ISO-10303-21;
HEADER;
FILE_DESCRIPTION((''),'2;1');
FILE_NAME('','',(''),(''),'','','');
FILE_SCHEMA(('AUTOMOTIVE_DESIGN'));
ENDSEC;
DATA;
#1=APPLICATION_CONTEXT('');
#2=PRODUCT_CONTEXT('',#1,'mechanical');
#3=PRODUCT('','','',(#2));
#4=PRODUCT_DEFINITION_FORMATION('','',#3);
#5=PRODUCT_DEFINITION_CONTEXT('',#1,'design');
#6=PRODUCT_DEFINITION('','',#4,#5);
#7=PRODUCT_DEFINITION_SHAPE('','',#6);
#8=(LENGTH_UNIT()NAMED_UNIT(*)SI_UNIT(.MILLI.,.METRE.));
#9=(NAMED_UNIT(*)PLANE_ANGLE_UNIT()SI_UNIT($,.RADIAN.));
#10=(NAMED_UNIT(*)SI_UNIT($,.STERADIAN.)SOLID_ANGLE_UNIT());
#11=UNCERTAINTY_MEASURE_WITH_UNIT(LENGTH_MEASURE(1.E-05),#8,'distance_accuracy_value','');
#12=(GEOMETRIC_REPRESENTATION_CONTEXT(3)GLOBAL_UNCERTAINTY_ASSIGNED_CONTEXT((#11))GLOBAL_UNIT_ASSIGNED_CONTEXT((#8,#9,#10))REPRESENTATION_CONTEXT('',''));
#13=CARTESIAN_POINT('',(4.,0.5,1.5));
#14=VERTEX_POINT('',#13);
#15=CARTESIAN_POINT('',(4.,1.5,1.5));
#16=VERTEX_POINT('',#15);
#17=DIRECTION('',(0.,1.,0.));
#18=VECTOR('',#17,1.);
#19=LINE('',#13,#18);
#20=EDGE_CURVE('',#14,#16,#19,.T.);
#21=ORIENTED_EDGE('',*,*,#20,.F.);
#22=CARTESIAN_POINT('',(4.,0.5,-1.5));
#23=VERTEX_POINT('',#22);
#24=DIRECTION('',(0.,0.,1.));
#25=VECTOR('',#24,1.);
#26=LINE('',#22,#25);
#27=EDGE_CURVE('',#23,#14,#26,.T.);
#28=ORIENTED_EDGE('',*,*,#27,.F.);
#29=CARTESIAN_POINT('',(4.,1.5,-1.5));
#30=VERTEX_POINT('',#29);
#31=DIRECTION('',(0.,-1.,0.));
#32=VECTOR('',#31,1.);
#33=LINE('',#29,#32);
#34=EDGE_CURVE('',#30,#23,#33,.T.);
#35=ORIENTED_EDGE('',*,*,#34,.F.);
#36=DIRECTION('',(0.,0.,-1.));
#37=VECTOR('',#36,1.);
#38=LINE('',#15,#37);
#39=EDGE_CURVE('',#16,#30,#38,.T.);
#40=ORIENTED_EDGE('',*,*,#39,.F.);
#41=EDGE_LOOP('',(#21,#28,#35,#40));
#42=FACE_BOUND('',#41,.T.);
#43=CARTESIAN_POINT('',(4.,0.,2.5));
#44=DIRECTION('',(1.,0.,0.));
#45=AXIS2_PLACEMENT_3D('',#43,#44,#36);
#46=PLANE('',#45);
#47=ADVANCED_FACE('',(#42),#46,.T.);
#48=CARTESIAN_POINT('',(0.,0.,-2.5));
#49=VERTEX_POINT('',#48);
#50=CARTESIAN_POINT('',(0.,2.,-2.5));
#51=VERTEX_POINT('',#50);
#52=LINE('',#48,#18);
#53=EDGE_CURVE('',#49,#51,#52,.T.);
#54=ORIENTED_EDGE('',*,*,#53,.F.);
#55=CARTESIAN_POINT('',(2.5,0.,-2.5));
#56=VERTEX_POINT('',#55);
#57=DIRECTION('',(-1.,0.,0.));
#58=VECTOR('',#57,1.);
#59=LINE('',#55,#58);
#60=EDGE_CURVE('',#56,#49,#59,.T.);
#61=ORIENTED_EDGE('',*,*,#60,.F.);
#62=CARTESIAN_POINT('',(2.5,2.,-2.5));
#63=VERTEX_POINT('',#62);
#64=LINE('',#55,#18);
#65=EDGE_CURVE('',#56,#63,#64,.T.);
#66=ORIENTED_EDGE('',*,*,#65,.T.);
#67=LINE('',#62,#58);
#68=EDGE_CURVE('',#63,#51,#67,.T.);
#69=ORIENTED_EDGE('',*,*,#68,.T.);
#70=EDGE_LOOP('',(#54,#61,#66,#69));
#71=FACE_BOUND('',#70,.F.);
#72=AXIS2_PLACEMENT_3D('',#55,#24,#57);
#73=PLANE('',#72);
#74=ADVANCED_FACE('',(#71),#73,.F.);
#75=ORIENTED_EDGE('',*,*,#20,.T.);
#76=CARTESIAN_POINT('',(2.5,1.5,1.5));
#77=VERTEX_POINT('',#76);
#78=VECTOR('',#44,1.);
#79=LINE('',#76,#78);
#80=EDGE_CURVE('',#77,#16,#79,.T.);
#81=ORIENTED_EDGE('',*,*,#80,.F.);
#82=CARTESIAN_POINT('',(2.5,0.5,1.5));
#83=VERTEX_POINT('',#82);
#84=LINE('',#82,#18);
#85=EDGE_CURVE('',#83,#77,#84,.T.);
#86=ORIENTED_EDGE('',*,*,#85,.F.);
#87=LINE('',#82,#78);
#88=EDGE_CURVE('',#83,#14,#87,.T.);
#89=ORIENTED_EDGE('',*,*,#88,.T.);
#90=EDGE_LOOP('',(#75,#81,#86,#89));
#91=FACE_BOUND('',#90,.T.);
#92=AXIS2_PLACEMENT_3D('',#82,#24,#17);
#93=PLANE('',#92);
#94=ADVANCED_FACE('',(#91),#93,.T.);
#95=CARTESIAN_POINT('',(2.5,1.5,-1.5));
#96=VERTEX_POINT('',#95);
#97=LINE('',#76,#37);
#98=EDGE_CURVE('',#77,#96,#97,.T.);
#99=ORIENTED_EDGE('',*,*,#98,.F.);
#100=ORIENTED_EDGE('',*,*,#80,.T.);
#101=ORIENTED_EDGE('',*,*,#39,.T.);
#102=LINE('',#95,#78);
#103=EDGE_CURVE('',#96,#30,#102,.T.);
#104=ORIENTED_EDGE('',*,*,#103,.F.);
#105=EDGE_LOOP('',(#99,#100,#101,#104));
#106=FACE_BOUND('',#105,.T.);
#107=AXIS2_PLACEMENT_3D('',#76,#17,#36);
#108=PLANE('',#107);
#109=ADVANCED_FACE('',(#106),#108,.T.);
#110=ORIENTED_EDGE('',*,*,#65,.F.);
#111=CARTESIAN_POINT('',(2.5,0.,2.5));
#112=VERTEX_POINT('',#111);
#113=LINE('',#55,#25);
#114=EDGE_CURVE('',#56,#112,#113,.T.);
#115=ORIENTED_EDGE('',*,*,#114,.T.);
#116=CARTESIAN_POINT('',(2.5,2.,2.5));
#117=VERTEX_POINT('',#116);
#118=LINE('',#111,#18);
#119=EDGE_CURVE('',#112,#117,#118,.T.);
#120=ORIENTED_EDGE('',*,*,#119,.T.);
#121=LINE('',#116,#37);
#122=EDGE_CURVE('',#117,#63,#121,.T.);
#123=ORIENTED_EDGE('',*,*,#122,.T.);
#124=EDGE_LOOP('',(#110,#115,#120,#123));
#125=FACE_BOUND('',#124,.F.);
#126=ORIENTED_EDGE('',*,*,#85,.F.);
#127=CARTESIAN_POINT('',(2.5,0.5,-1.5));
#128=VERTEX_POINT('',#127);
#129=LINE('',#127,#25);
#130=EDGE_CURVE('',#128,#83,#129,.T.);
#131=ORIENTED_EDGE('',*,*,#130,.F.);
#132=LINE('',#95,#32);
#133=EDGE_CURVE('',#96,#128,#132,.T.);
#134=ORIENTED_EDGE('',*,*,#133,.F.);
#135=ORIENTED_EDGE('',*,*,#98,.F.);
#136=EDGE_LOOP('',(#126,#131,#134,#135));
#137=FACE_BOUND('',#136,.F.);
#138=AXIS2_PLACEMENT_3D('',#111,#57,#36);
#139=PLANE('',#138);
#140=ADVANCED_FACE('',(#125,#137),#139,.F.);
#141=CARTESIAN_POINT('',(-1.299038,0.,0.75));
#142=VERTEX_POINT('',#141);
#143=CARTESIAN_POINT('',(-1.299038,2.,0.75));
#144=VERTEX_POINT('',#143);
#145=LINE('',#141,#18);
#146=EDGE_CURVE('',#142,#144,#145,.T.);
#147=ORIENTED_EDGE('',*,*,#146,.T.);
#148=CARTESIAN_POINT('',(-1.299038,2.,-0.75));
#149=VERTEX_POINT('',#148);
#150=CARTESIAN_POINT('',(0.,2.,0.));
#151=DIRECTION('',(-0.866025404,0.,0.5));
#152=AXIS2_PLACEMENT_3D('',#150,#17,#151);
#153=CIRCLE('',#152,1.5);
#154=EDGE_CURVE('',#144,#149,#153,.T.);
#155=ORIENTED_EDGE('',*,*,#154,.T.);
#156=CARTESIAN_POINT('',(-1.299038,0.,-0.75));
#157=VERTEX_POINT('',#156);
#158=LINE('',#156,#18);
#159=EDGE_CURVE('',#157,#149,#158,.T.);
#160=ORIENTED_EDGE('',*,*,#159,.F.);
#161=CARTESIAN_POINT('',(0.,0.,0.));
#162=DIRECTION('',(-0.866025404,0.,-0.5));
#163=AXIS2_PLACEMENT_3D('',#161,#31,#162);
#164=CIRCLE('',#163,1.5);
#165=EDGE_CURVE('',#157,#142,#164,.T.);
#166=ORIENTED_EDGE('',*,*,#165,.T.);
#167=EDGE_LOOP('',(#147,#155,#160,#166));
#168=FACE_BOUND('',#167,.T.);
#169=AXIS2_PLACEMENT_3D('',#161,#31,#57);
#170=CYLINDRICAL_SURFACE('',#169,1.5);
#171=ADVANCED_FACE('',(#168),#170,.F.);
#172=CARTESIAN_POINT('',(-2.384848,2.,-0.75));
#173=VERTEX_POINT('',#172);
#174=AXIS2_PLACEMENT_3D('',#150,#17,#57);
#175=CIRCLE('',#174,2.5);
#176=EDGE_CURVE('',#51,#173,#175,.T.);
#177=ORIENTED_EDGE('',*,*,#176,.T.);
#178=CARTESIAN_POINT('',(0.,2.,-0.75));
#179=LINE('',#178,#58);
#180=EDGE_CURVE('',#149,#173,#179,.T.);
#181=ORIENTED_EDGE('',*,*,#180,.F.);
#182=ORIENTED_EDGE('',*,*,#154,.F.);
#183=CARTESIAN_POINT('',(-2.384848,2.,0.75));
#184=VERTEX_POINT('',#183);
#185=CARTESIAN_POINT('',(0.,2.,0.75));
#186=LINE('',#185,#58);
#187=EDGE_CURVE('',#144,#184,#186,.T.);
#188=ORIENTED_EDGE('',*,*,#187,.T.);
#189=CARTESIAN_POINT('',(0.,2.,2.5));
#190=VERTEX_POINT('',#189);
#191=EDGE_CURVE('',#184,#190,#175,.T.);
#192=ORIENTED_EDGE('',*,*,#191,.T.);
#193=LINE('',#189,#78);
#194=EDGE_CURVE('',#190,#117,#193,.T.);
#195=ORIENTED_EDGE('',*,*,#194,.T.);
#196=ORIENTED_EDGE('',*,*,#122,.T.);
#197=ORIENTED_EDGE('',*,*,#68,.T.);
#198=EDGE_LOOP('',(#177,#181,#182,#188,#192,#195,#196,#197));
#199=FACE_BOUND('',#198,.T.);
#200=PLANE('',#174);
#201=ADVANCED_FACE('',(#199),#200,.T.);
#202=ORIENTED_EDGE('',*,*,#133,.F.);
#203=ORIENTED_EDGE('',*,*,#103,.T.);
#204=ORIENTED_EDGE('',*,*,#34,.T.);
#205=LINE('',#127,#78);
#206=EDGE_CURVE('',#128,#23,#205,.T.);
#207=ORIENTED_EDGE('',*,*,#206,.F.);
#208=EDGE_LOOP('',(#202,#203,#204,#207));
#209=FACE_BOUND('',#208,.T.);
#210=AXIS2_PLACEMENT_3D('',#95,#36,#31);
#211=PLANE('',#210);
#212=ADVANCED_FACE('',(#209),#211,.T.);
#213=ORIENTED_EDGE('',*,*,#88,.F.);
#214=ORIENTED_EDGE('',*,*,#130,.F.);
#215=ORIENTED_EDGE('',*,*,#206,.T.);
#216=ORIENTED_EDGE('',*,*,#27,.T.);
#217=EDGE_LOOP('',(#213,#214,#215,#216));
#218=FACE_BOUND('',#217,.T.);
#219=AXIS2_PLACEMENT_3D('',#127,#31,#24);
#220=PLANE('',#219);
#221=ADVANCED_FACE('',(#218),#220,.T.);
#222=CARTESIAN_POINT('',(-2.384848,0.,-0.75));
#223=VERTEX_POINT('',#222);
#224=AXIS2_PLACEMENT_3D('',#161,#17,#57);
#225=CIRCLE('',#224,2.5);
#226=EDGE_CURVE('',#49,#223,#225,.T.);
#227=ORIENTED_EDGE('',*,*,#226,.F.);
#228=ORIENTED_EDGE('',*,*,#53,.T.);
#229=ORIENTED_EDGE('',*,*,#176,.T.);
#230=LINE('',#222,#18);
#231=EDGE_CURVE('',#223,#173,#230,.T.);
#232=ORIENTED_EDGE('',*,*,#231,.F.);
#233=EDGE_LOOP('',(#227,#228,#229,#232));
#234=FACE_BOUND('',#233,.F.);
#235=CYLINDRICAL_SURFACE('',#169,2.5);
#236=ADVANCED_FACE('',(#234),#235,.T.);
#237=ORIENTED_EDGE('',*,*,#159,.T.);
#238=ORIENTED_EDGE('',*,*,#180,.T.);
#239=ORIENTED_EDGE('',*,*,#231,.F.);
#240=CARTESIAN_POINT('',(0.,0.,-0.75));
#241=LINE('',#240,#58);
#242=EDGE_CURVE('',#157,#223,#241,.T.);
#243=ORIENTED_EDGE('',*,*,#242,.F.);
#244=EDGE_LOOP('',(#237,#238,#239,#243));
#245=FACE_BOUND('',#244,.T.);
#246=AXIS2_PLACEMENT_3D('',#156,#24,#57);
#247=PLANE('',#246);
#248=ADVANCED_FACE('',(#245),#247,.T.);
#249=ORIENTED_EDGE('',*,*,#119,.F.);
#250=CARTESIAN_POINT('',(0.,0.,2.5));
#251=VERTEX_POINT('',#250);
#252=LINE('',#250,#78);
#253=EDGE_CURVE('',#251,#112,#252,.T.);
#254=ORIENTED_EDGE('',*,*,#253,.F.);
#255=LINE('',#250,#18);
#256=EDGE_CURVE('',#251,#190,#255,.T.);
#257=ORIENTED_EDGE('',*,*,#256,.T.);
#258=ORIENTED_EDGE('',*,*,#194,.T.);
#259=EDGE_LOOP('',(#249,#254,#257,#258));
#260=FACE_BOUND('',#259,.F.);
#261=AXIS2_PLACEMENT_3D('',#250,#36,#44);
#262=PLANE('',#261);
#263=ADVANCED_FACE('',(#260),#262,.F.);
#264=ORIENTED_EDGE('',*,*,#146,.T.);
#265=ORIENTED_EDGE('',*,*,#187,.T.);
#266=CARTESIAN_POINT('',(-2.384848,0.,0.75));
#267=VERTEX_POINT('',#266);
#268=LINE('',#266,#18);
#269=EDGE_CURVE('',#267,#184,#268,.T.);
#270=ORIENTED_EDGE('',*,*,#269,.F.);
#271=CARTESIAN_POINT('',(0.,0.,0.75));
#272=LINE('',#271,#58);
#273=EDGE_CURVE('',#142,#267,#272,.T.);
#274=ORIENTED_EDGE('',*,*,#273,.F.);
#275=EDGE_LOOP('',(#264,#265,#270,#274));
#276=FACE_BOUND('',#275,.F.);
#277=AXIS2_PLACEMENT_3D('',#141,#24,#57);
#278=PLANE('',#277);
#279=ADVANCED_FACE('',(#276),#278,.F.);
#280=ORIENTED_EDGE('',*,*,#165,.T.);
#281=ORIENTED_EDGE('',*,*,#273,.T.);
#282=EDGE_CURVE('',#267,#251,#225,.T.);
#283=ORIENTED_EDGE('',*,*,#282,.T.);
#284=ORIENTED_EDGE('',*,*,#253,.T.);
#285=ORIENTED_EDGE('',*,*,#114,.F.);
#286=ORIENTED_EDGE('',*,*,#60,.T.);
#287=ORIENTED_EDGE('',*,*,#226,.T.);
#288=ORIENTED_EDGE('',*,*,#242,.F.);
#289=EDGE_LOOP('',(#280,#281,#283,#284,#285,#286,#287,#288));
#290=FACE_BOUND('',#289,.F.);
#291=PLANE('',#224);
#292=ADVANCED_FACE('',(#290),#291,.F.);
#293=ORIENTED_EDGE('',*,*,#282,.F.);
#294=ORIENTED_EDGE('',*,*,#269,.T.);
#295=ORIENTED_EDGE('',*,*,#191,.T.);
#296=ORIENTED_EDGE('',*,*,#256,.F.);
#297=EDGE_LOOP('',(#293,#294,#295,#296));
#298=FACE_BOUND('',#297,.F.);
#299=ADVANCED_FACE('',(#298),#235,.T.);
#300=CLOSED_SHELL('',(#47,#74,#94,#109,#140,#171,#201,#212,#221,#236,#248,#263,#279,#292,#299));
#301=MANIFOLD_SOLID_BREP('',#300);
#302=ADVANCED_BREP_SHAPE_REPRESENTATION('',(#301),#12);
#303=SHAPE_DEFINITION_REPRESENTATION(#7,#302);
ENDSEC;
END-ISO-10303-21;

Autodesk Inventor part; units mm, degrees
ref_plane "YZ Plane" through (0, 0, 0) normal (1, 0, 0) x (0, 1, 0)
ref_plane "XZ Plane" through (0, 0, 0) normal (0, 1, 0) x (-1, 0, 0)
ref_plane "XY Plane" through (0, 0, 0) normal (0, 0, 1) x (1, 0, 0)
sketch "Sketch1" plane through (0, 0, 0) normal (0, 1, 0) x (-1, 0, 0)
  circle A0 centre (0, 0) radius 1.5
  circle A1 centre (0, 0) radius 2.5
  line L0 (0, 0) -> (2.5, 0)
  line L1 (0, 0.75) -> (2.5, 0.75)
  line L2 (0, -0.75) -> (2.5, -0.75)
  line L3 (0, 2.5) -> (-2.5, 2.5)
  line L4 (-2.5, 2.5) -> (-2.5, -2.5)
  line L5 (-2.5, -2.5) -> (0, -2.5)
  line L6 (0, -2.5) -> (0, 2.5)
  point P0 (1.299, 0.75)
  point P1 (2.3848, 0.75)
  point P2 (2.3848, -0.75)
  point P3 (1.299, -0.75)
  dimension "d0" = 3
  dimension "d1" = 5
  dimension "d2" = 0.75
  dimension "d3" = 0.75
extrude "Extrusion1" add sketch "Sketch1" along normal blind 2 contours A0 L6 A1 L1 | L2 A1 L6 A0 | A0 L6 A1 | A1 L4 L3 | L5 L4 A1
sketch "Sketch2" plane through (2.5, 0, 2.5) normal (1, 0, 0) x (0, 0, -1)
  line L0 (1, 1.5) -> (4, 1.5)
  line L1 (4, 1.5) -> (4, 0.5)
  line L2 (4, 0.5) -> (1, 0.5)
  line L3 (1, 0.5) -> (1, 1.5)
  line L4 (0, 0) -> (5, 0) projected
  line L5 (5, 0) -> (5, 2) projected
  point P0 (2.5, 0)
  dimension "d6" = 3
  dimension "d7" = 1
  dimension "d8" = 0.5
  dimension "d9" = 1
extrude "Extrusion2" add sketch "Sketch2" along normal blind 1.5
properties part number "AlignmentGate"
